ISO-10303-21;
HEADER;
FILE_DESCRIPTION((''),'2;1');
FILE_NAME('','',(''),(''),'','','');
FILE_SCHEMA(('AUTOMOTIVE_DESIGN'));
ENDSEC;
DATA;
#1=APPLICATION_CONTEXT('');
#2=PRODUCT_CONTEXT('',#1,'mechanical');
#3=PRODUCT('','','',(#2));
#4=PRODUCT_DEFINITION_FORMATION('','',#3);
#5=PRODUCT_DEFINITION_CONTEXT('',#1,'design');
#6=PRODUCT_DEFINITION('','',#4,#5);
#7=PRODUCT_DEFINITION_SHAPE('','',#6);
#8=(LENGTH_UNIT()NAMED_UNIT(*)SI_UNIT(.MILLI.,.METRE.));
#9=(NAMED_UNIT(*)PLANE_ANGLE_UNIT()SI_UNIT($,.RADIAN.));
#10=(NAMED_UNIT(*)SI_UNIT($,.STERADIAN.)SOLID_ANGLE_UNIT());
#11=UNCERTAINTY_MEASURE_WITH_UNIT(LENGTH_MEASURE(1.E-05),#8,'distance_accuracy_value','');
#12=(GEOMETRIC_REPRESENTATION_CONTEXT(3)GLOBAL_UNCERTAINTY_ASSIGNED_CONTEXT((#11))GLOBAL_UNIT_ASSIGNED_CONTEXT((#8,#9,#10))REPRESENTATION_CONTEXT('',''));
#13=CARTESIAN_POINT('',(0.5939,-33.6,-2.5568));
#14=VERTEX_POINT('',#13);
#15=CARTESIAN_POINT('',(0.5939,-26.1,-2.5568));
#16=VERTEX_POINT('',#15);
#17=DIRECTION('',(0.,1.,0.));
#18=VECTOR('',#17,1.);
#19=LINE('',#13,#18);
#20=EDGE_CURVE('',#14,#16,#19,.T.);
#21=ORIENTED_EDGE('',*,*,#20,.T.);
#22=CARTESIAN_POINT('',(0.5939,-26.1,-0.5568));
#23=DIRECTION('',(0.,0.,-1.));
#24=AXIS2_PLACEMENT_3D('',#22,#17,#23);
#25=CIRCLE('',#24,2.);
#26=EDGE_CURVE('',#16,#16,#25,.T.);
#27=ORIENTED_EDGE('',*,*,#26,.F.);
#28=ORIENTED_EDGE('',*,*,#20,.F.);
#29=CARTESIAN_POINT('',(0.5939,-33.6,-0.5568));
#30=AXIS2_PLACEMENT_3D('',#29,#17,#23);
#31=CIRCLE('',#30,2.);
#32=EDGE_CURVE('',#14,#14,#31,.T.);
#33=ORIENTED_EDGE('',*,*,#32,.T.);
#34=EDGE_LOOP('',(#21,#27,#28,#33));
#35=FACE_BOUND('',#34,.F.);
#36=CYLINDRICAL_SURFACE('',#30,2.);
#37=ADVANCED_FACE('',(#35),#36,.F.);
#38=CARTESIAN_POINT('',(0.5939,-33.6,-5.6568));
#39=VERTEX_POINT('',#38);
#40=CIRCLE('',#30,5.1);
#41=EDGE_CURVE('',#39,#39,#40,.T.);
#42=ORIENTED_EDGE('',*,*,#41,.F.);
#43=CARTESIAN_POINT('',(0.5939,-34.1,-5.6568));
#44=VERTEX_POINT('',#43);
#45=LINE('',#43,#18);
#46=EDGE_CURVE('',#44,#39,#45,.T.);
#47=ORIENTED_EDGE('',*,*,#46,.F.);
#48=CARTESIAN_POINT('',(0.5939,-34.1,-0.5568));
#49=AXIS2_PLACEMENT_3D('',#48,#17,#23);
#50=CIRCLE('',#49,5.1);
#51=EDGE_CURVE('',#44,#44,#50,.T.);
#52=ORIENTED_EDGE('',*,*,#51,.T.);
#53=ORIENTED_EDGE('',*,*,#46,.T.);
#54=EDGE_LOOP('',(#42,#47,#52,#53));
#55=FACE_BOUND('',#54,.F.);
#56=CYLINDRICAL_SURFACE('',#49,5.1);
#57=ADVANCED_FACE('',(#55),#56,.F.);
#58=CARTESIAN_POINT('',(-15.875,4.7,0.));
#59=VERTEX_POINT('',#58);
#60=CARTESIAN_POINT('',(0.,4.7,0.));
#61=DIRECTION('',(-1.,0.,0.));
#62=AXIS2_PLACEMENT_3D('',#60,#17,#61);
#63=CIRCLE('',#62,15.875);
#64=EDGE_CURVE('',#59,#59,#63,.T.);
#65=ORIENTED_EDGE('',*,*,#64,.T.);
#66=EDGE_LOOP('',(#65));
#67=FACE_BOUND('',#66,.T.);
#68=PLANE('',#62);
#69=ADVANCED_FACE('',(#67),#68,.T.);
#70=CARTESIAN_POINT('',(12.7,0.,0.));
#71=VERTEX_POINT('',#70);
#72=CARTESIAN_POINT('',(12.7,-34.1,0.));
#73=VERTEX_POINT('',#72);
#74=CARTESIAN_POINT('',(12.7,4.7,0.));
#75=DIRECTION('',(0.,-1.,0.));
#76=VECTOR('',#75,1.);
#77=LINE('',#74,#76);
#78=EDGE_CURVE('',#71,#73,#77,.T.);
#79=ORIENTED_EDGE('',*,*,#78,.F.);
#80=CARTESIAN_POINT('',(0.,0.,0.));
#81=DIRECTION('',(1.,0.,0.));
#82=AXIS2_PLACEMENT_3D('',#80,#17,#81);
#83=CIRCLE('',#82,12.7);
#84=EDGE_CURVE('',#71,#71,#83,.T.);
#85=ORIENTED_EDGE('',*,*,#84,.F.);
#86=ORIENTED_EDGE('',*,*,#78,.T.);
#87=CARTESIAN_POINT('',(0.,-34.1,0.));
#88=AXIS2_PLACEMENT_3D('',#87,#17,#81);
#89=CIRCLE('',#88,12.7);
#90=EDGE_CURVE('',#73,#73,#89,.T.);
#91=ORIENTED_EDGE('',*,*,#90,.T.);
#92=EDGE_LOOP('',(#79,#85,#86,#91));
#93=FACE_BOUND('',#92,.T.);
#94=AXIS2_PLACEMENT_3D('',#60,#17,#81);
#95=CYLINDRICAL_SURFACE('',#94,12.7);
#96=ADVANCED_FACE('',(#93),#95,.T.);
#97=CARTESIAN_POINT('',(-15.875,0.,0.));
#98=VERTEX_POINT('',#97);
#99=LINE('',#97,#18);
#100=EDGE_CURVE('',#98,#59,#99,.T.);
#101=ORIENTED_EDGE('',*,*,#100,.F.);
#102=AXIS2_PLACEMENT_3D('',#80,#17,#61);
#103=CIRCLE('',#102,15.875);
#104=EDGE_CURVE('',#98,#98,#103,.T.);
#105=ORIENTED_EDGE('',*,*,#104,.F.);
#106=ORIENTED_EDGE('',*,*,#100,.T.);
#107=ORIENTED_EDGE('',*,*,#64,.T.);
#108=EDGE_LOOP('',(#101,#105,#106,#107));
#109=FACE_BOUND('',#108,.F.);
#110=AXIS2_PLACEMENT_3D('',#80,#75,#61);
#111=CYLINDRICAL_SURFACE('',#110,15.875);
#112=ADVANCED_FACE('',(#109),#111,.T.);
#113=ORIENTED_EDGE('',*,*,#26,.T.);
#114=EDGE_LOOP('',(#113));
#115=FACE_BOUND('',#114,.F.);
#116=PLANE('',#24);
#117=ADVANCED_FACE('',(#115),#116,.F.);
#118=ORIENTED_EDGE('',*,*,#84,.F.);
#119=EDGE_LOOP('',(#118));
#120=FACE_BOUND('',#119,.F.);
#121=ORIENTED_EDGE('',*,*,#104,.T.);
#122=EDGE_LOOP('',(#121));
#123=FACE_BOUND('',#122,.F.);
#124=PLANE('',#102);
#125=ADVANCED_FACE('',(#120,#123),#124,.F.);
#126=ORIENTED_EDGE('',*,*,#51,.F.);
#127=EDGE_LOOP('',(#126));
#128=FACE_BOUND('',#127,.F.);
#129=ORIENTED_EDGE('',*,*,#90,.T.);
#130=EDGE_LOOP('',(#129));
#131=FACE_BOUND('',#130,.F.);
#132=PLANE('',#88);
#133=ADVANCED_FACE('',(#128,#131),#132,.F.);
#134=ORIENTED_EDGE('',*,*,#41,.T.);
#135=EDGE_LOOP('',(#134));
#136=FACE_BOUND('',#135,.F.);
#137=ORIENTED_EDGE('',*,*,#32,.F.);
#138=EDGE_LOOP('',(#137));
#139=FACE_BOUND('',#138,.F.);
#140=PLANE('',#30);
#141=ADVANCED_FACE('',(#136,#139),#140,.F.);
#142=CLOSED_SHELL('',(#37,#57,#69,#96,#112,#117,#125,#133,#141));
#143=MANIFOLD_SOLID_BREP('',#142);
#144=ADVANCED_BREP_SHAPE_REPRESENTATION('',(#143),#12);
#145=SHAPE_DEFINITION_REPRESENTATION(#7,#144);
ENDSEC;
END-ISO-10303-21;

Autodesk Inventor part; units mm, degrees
ref_plane "YZ Plane" through (0, 0, 0) normal (1, 0, 0) x (0, 1, 0)
ref_plane "XZ Plane" through (0, 0, 0) normal (0, 1, 0) x (-1, 0, 0)
ref_plane "XY Plane" through (0, 0, 0) normal (0, 0, 1) x (1, 0, 0)
sketch "Boceto1" plane through (0, 0, 0) normal (0, 1, 0) x (-1, 0, 0)
  circle A0 centre (0, 0) radius 12.7
  circle A1 centre (0, 0) radius 15.875
  dimension "d0" = 25.4
  dimension "d1" = 31.75
extrude "Extrusión1" add sketch "Boceto1" along normal blind 4.7
sketch "Boceto2" plane through (0, 4.7, 0) normal (0, 1, 0) x (1, 0, 0)
  circle A0 centre (0, 0) radius 12.7
  dimension "d4" = 25.4
extrude "Extrusión2" add sketch "Boceto2" against normal blind 38.8
hole "Agujero1" at (0.5939, -34.1, -0.5568) direction (0, 1, 0) diameter 4 depth 8 counterbore diameter 10.2 counterbore depth 0.5
thread "Rosca1" size "M4x0.7" class "6H" standard "ANSI Metric M Profile" full length
properties part number "post"
